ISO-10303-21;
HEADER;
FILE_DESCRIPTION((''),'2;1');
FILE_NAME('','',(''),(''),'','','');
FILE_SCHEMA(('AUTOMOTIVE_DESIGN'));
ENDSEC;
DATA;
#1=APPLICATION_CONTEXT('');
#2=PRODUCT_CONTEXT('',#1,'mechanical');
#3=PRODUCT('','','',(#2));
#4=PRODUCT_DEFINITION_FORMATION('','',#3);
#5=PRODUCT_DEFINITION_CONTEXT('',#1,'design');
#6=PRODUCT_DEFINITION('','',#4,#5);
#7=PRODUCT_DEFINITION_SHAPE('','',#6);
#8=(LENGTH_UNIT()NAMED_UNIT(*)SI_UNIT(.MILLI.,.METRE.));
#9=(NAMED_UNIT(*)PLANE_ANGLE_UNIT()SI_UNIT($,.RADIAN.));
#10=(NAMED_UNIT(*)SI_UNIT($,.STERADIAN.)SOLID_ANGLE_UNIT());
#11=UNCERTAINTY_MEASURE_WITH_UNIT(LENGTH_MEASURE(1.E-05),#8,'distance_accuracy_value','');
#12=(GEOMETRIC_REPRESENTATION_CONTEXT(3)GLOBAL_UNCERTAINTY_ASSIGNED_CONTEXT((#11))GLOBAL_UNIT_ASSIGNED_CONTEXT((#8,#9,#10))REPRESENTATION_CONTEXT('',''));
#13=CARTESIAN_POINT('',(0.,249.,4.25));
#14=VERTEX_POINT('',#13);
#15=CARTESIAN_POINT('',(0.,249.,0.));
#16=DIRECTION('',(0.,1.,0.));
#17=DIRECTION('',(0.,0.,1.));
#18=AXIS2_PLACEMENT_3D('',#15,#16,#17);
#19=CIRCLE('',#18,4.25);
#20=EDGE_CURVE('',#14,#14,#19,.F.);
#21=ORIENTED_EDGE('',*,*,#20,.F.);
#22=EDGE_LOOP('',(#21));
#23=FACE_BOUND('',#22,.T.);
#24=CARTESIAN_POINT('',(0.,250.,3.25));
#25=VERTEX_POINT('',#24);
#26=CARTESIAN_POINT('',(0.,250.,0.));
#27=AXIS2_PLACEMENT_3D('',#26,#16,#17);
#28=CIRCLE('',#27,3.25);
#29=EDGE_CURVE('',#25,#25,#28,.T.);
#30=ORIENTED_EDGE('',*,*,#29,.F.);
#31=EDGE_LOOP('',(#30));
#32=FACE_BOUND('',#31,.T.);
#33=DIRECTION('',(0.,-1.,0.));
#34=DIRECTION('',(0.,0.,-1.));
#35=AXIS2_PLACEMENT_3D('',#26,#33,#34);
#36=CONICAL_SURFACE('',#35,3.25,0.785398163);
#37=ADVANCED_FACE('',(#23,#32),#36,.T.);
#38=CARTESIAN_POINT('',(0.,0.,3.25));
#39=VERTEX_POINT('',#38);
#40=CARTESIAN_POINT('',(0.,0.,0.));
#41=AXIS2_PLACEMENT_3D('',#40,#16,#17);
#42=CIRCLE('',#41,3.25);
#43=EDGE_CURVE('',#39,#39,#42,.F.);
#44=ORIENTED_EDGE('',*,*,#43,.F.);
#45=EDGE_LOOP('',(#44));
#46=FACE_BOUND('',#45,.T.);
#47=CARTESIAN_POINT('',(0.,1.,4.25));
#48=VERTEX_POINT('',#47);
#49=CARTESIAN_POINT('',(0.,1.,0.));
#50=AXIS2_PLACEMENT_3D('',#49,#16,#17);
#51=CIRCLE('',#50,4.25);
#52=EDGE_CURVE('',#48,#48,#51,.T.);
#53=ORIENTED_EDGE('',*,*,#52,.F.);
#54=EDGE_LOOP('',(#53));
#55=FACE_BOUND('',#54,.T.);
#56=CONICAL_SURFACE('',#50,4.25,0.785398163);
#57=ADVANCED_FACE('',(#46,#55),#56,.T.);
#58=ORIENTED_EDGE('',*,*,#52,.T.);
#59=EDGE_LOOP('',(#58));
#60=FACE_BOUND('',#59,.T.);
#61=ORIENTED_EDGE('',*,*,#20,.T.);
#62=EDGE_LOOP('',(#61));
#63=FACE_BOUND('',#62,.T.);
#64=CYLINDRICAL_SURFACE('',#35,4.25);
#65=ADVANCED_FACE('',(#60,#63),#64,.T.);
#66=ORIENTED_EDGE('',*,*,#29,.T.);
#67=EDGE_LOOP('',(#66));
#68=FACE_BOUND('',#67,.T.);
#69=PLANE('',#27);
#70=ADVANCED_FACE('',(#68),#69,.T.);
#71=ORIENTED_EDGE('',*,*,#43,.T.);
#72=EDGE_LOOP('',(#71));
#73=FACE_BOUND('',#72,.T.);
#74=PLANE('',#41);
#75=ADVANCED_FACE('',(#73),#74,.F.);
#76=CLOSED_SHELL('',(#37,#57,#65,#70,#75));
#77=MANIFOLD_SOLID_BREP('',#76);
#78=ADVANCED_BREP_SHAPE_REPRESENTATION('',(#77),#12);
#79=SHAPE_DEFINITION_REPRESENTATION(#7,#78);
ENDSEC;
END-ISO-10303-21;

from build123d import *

# Parameters (mm, degrees)
SKETCH1_R      = 4.25
EXTRUDE1_DEPTH = 250
CHAMFER1_SIZE  = 1
CHAMFER2_SIZE  = 1


with BuildPart() as part:
    # Sketch1 → Extrude1 (new body)
    with BuildSketch(Plane(origin=(0, 0, 0), x_dir=(1, 0, 0), z_dir=(0, 1, 0))):
        with Locations(Location((0, 0, 0), (0, 0, 270))):
            Circle(SKETCH1_R)
    extrude(amount=EXTRUDE1_DEPTH)

    # Chamfer1
    chamfer1_edges = [part.edges().sort_by_distance(p)[0] for p in [
        (0, 250, -4.25),
    ]]
    chamfer(chamfer1_edges, length=CHAMFER1_SIZE)

    # Chamfer2
    chamfer2_edges = [part.edges().sort_by_distance(p)[0] for p in [
        (0, 0, -4.25),
    ]]
    chamfer(chamfer2_edges, length=CHAMFER2_SIZE)


solid = part.part
